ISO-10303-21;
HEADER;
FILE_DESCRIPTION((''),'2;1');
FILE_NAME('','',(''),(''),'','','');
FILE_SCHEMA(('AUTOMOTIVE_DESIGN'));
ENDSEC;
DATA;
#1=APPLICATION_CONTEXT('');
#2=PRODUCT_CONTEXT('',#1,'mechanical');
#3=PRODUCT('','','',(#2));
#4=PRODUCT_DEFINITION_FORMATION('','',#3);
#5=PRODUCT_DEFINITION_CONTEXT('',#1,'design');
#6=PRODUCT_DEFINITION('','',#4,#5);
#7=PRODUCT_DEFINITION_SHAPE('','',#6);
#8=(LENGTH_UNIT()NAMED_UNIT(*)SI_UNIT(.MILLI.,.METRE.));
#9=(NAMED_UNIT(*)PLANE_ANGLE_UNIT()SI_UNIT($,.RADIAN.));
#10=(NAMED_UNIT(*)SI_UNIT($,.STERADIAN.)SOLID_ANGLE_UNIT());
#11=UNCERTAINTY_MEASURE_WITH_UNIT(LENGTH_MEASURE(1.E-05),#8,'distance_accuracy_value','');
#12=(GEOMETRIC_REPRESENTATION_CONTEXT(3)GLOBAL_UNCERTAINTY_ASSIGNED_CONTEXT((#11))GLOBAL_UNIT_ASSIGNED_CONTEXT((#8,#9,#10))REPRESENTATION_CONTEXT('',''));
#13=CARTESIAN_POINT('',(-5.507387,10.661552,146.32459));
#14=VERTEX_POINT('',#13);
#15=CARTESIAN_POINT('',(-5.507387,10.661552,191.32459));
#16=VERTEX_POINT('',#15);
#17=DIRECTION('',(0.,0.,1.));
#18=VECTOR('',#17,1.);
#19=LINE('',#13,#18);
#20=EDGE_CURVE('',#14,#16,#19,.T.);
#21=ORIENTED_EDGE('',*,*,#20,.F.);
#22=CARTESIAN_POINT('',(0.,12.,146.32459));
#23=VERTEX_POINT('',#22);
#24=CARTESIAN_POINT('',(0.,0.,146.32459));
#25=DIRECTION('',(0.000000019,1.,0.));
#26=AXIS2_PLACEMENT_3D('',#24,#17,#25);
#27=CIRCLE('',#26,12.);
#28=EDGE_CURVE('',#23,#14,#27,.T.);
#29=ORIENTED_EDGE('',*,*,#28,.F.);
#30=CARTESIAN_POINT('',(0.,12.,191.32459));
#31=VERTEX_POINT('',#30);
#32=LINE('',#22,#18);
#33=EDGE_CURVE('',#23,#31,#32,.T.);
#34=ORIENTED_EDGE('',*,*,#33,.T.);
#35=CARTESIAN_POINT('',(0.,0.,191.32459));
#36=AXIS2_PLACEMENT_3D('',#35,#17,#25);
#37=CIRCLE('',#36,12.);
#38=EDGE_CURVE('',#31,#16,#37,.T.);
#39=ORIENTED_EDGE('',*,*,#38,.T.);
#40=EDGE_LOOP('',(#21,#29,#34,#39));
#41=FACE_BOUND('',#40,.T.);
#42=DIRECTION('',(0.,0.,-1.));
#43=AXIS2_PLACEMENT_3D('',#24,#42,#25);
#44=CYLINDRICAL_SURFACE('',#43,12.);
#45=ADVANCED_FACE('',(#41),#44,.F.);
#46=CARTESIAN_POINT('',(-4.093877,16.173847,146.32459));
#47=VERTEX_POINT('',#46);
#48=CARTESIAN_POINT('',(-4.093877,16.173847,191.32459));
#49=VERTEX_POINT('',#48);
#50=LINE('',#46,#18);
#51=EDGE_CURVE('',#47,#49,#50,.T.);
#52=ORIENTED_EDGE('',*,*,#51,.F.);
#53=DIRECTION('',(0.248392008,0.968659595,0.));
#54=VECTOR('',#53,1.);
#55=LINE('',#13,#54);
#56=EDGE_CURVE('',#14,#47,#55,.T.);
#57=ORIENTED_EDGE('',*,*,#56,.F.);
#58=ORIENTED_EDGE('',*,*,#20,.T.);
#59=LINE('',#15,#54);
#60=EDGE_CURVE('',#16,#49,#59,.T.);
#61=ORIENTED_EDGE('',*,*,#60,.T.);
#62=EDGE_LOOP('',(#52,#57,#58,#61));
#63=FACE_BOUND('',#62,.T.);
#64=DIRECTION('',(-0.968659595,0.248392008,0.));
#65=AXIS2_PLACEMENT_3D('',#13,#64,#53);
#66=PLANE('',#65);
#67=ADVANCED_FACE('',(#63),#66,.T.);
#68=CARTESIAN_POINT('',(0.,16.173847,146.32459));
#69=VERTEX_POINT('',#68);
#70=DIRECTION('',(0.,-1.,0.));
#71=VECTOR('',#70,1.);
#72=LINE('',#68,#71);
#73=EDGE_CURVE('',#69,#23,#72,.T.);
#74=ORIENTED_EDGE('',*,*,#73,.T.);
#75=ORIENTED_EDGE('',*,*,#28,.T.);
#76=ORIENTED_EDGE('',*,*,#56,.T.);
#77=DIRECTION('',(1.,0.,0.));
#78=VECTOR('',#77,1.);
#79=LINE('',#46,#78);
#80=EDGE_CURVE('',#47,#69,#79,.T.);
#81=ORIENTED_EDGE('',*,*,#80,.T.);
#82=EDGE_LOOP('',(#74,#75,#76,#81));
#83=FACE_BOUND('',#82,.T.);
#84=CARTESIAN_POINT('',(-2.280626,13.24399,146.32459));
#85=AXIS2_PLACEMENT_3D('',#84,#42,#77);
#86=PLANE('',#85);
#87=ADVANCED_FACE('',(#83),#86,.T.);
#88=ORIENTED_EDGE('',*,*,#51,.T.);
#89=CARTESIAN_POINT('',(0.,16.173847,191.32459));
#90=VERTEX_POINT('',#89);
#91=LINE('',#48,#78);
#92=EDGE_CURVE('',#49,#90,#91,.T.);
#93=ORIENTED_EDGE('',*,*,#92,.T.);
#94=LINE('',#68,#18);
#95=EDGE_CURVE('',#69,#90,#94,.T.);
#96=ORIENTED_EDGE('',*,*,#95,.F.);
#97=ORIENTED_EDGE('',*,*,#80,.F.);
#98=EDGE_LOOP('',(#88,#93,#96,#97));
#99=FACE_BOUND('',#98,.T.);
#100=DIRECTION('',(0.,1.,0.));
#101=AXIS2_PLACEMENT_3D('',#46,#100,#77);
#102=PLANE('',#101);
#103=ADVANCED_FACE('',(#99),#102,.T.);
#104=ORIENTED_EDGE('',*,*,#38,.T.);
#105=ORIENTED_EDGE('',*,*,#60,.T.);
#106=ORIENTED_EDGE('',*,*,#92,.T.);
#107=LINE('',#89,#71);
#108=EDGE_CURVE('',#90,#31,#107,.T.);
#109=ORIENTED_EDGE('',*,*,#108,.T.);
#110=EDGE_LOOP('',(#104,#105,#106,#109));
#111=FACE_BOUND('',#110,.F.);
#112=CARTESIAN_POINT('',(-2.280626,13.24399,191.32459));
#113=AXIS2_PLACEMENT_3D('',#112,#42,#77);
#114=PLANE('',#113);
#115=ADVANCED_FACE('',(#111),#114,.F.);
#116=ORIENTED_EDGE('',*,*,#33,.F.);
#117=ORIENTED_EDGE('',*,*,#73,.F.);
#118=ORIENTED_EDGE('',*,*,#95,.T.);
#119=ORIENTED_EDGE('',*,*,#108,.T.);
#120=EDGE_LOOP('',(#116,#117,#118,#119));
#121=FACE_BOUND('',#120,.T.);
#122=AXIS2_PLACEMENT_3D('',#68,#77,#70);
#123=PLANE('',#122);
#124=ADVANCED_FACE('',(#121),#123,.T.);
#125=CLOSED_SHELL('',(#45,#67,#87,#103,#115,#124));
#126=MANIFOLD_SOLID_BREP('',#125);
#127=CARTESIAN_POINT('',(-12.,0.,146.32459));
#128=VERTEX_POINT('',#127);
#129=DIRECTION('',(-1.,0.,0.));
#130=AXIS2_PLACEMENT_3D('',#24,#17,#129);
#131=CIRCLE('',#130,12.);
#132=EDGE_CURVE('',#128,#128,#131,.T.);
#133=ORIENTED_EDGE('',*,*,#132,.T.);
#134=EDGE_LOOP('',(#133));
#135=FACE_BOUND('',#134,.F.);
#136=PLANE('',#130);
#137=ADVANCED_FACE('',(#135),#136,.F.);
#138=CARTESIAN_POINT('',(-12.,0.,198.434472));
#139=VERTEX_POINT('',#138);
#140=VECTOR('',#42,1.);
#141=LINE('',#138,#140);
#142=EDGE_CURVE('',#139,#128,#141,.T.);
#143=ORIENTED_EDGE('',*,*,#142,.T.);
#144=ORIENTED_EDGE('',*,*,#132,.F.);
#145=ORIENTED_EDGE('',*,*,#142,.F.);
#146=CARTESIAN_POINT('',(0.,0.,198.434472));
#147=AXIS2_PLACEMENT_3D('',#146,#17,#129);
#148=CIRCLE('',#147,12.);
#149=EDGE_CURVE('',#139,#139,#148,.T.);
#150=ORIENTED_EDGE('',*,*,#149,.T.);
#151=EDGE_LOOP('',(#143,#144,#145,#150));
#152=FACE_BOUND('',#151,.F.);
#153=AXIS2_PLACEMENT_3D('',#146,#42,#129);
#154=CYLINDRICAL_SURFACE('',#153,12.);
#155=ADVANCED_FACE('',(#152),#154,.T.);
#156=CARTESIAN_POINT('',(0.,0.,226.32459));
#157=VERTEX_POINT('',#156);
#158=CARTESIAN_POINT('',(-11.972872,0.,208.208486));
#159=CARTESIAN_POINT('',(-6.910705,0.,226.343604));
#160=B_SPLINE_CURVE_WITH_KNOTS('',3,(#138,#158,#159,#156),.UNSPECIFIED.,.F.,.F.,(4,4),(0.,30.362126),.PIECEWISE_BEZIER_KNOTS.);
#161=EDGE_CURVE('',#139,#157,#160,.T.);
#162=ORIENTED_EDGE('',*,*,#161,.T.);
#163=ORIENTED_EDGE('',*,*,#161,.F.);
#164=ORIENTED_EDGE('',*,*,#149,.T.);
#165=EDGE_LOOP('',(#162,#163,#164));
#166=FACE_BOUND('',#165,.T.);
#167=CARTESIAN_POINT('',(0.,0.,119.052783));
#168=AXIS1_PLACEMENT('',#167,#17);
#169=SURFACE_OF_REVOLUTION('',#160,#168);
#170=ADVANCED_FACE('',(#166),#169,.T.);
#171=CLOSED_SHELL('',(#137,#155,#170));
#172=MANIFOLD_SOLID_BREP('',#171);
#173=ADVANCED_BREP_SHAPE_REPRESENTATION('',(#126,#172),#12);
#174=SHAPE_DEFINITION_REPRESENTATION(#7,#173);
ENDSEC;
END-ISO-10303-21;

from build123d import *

# Parameters (mm, degrees)
F4_DEPTH = 45


with BuildPart() as f1:
    # F0 (on Front) → F1 (revolve)
    with BuildSketch(Plane.XZ):
        with BuildLine():
            add(Edge.make_bspline(
                [(-12, 198.434472), (-11.972872, 208.208486), (-6.910705, 226.343604), (0, 226.32459)],
                knots=[0, 0, 0, 0, 30.362126, 30.362126, 30.362126, 30.362126], degree=3))
            Line((-12, 198.434472), (-12, 146.32459))
            Line((-12, 146.32459), (-6, 146.32459))
            Line((-6, 146.32459), (0, 196.32459))
            Line((0, 196.32459), (0, 226.32459))
        make_face()
        Polygon((0, 196.32459), (-6, 146.32459), (0, 146.32459), align=None)
    revolve(axis=Axis((0, 0, 119.052783), (0, 0, 1)))


with BuildPart() as f4:
    # F3 (on offset) → F4 (new body)
    with BuildSketch(Plane(origin=(0, 0, 146.32459), x_dir=(1, 0, 0), z_dir=(0, 0, -1))):
        with BuildLine():
            Line((0, -16.173847), (0, -12))
            ThreePointArc((0, -12), (-2.833847, -11.660588), (-5.507387, -10.661552))
            Line((-5.507387, -10.661552), (-1.755127, -16.173847))
            Line((-1.755127, -16.173847), (0, -16.173847))
        make_face()
        Polygon((-1.755127, -16.173847), (-5.507387, -10.661552), (-4.093877, -16.173847), align=None)
    extrude(amount=-F4_DEPTH)


solid = Compound([f1.part, f4.part])
